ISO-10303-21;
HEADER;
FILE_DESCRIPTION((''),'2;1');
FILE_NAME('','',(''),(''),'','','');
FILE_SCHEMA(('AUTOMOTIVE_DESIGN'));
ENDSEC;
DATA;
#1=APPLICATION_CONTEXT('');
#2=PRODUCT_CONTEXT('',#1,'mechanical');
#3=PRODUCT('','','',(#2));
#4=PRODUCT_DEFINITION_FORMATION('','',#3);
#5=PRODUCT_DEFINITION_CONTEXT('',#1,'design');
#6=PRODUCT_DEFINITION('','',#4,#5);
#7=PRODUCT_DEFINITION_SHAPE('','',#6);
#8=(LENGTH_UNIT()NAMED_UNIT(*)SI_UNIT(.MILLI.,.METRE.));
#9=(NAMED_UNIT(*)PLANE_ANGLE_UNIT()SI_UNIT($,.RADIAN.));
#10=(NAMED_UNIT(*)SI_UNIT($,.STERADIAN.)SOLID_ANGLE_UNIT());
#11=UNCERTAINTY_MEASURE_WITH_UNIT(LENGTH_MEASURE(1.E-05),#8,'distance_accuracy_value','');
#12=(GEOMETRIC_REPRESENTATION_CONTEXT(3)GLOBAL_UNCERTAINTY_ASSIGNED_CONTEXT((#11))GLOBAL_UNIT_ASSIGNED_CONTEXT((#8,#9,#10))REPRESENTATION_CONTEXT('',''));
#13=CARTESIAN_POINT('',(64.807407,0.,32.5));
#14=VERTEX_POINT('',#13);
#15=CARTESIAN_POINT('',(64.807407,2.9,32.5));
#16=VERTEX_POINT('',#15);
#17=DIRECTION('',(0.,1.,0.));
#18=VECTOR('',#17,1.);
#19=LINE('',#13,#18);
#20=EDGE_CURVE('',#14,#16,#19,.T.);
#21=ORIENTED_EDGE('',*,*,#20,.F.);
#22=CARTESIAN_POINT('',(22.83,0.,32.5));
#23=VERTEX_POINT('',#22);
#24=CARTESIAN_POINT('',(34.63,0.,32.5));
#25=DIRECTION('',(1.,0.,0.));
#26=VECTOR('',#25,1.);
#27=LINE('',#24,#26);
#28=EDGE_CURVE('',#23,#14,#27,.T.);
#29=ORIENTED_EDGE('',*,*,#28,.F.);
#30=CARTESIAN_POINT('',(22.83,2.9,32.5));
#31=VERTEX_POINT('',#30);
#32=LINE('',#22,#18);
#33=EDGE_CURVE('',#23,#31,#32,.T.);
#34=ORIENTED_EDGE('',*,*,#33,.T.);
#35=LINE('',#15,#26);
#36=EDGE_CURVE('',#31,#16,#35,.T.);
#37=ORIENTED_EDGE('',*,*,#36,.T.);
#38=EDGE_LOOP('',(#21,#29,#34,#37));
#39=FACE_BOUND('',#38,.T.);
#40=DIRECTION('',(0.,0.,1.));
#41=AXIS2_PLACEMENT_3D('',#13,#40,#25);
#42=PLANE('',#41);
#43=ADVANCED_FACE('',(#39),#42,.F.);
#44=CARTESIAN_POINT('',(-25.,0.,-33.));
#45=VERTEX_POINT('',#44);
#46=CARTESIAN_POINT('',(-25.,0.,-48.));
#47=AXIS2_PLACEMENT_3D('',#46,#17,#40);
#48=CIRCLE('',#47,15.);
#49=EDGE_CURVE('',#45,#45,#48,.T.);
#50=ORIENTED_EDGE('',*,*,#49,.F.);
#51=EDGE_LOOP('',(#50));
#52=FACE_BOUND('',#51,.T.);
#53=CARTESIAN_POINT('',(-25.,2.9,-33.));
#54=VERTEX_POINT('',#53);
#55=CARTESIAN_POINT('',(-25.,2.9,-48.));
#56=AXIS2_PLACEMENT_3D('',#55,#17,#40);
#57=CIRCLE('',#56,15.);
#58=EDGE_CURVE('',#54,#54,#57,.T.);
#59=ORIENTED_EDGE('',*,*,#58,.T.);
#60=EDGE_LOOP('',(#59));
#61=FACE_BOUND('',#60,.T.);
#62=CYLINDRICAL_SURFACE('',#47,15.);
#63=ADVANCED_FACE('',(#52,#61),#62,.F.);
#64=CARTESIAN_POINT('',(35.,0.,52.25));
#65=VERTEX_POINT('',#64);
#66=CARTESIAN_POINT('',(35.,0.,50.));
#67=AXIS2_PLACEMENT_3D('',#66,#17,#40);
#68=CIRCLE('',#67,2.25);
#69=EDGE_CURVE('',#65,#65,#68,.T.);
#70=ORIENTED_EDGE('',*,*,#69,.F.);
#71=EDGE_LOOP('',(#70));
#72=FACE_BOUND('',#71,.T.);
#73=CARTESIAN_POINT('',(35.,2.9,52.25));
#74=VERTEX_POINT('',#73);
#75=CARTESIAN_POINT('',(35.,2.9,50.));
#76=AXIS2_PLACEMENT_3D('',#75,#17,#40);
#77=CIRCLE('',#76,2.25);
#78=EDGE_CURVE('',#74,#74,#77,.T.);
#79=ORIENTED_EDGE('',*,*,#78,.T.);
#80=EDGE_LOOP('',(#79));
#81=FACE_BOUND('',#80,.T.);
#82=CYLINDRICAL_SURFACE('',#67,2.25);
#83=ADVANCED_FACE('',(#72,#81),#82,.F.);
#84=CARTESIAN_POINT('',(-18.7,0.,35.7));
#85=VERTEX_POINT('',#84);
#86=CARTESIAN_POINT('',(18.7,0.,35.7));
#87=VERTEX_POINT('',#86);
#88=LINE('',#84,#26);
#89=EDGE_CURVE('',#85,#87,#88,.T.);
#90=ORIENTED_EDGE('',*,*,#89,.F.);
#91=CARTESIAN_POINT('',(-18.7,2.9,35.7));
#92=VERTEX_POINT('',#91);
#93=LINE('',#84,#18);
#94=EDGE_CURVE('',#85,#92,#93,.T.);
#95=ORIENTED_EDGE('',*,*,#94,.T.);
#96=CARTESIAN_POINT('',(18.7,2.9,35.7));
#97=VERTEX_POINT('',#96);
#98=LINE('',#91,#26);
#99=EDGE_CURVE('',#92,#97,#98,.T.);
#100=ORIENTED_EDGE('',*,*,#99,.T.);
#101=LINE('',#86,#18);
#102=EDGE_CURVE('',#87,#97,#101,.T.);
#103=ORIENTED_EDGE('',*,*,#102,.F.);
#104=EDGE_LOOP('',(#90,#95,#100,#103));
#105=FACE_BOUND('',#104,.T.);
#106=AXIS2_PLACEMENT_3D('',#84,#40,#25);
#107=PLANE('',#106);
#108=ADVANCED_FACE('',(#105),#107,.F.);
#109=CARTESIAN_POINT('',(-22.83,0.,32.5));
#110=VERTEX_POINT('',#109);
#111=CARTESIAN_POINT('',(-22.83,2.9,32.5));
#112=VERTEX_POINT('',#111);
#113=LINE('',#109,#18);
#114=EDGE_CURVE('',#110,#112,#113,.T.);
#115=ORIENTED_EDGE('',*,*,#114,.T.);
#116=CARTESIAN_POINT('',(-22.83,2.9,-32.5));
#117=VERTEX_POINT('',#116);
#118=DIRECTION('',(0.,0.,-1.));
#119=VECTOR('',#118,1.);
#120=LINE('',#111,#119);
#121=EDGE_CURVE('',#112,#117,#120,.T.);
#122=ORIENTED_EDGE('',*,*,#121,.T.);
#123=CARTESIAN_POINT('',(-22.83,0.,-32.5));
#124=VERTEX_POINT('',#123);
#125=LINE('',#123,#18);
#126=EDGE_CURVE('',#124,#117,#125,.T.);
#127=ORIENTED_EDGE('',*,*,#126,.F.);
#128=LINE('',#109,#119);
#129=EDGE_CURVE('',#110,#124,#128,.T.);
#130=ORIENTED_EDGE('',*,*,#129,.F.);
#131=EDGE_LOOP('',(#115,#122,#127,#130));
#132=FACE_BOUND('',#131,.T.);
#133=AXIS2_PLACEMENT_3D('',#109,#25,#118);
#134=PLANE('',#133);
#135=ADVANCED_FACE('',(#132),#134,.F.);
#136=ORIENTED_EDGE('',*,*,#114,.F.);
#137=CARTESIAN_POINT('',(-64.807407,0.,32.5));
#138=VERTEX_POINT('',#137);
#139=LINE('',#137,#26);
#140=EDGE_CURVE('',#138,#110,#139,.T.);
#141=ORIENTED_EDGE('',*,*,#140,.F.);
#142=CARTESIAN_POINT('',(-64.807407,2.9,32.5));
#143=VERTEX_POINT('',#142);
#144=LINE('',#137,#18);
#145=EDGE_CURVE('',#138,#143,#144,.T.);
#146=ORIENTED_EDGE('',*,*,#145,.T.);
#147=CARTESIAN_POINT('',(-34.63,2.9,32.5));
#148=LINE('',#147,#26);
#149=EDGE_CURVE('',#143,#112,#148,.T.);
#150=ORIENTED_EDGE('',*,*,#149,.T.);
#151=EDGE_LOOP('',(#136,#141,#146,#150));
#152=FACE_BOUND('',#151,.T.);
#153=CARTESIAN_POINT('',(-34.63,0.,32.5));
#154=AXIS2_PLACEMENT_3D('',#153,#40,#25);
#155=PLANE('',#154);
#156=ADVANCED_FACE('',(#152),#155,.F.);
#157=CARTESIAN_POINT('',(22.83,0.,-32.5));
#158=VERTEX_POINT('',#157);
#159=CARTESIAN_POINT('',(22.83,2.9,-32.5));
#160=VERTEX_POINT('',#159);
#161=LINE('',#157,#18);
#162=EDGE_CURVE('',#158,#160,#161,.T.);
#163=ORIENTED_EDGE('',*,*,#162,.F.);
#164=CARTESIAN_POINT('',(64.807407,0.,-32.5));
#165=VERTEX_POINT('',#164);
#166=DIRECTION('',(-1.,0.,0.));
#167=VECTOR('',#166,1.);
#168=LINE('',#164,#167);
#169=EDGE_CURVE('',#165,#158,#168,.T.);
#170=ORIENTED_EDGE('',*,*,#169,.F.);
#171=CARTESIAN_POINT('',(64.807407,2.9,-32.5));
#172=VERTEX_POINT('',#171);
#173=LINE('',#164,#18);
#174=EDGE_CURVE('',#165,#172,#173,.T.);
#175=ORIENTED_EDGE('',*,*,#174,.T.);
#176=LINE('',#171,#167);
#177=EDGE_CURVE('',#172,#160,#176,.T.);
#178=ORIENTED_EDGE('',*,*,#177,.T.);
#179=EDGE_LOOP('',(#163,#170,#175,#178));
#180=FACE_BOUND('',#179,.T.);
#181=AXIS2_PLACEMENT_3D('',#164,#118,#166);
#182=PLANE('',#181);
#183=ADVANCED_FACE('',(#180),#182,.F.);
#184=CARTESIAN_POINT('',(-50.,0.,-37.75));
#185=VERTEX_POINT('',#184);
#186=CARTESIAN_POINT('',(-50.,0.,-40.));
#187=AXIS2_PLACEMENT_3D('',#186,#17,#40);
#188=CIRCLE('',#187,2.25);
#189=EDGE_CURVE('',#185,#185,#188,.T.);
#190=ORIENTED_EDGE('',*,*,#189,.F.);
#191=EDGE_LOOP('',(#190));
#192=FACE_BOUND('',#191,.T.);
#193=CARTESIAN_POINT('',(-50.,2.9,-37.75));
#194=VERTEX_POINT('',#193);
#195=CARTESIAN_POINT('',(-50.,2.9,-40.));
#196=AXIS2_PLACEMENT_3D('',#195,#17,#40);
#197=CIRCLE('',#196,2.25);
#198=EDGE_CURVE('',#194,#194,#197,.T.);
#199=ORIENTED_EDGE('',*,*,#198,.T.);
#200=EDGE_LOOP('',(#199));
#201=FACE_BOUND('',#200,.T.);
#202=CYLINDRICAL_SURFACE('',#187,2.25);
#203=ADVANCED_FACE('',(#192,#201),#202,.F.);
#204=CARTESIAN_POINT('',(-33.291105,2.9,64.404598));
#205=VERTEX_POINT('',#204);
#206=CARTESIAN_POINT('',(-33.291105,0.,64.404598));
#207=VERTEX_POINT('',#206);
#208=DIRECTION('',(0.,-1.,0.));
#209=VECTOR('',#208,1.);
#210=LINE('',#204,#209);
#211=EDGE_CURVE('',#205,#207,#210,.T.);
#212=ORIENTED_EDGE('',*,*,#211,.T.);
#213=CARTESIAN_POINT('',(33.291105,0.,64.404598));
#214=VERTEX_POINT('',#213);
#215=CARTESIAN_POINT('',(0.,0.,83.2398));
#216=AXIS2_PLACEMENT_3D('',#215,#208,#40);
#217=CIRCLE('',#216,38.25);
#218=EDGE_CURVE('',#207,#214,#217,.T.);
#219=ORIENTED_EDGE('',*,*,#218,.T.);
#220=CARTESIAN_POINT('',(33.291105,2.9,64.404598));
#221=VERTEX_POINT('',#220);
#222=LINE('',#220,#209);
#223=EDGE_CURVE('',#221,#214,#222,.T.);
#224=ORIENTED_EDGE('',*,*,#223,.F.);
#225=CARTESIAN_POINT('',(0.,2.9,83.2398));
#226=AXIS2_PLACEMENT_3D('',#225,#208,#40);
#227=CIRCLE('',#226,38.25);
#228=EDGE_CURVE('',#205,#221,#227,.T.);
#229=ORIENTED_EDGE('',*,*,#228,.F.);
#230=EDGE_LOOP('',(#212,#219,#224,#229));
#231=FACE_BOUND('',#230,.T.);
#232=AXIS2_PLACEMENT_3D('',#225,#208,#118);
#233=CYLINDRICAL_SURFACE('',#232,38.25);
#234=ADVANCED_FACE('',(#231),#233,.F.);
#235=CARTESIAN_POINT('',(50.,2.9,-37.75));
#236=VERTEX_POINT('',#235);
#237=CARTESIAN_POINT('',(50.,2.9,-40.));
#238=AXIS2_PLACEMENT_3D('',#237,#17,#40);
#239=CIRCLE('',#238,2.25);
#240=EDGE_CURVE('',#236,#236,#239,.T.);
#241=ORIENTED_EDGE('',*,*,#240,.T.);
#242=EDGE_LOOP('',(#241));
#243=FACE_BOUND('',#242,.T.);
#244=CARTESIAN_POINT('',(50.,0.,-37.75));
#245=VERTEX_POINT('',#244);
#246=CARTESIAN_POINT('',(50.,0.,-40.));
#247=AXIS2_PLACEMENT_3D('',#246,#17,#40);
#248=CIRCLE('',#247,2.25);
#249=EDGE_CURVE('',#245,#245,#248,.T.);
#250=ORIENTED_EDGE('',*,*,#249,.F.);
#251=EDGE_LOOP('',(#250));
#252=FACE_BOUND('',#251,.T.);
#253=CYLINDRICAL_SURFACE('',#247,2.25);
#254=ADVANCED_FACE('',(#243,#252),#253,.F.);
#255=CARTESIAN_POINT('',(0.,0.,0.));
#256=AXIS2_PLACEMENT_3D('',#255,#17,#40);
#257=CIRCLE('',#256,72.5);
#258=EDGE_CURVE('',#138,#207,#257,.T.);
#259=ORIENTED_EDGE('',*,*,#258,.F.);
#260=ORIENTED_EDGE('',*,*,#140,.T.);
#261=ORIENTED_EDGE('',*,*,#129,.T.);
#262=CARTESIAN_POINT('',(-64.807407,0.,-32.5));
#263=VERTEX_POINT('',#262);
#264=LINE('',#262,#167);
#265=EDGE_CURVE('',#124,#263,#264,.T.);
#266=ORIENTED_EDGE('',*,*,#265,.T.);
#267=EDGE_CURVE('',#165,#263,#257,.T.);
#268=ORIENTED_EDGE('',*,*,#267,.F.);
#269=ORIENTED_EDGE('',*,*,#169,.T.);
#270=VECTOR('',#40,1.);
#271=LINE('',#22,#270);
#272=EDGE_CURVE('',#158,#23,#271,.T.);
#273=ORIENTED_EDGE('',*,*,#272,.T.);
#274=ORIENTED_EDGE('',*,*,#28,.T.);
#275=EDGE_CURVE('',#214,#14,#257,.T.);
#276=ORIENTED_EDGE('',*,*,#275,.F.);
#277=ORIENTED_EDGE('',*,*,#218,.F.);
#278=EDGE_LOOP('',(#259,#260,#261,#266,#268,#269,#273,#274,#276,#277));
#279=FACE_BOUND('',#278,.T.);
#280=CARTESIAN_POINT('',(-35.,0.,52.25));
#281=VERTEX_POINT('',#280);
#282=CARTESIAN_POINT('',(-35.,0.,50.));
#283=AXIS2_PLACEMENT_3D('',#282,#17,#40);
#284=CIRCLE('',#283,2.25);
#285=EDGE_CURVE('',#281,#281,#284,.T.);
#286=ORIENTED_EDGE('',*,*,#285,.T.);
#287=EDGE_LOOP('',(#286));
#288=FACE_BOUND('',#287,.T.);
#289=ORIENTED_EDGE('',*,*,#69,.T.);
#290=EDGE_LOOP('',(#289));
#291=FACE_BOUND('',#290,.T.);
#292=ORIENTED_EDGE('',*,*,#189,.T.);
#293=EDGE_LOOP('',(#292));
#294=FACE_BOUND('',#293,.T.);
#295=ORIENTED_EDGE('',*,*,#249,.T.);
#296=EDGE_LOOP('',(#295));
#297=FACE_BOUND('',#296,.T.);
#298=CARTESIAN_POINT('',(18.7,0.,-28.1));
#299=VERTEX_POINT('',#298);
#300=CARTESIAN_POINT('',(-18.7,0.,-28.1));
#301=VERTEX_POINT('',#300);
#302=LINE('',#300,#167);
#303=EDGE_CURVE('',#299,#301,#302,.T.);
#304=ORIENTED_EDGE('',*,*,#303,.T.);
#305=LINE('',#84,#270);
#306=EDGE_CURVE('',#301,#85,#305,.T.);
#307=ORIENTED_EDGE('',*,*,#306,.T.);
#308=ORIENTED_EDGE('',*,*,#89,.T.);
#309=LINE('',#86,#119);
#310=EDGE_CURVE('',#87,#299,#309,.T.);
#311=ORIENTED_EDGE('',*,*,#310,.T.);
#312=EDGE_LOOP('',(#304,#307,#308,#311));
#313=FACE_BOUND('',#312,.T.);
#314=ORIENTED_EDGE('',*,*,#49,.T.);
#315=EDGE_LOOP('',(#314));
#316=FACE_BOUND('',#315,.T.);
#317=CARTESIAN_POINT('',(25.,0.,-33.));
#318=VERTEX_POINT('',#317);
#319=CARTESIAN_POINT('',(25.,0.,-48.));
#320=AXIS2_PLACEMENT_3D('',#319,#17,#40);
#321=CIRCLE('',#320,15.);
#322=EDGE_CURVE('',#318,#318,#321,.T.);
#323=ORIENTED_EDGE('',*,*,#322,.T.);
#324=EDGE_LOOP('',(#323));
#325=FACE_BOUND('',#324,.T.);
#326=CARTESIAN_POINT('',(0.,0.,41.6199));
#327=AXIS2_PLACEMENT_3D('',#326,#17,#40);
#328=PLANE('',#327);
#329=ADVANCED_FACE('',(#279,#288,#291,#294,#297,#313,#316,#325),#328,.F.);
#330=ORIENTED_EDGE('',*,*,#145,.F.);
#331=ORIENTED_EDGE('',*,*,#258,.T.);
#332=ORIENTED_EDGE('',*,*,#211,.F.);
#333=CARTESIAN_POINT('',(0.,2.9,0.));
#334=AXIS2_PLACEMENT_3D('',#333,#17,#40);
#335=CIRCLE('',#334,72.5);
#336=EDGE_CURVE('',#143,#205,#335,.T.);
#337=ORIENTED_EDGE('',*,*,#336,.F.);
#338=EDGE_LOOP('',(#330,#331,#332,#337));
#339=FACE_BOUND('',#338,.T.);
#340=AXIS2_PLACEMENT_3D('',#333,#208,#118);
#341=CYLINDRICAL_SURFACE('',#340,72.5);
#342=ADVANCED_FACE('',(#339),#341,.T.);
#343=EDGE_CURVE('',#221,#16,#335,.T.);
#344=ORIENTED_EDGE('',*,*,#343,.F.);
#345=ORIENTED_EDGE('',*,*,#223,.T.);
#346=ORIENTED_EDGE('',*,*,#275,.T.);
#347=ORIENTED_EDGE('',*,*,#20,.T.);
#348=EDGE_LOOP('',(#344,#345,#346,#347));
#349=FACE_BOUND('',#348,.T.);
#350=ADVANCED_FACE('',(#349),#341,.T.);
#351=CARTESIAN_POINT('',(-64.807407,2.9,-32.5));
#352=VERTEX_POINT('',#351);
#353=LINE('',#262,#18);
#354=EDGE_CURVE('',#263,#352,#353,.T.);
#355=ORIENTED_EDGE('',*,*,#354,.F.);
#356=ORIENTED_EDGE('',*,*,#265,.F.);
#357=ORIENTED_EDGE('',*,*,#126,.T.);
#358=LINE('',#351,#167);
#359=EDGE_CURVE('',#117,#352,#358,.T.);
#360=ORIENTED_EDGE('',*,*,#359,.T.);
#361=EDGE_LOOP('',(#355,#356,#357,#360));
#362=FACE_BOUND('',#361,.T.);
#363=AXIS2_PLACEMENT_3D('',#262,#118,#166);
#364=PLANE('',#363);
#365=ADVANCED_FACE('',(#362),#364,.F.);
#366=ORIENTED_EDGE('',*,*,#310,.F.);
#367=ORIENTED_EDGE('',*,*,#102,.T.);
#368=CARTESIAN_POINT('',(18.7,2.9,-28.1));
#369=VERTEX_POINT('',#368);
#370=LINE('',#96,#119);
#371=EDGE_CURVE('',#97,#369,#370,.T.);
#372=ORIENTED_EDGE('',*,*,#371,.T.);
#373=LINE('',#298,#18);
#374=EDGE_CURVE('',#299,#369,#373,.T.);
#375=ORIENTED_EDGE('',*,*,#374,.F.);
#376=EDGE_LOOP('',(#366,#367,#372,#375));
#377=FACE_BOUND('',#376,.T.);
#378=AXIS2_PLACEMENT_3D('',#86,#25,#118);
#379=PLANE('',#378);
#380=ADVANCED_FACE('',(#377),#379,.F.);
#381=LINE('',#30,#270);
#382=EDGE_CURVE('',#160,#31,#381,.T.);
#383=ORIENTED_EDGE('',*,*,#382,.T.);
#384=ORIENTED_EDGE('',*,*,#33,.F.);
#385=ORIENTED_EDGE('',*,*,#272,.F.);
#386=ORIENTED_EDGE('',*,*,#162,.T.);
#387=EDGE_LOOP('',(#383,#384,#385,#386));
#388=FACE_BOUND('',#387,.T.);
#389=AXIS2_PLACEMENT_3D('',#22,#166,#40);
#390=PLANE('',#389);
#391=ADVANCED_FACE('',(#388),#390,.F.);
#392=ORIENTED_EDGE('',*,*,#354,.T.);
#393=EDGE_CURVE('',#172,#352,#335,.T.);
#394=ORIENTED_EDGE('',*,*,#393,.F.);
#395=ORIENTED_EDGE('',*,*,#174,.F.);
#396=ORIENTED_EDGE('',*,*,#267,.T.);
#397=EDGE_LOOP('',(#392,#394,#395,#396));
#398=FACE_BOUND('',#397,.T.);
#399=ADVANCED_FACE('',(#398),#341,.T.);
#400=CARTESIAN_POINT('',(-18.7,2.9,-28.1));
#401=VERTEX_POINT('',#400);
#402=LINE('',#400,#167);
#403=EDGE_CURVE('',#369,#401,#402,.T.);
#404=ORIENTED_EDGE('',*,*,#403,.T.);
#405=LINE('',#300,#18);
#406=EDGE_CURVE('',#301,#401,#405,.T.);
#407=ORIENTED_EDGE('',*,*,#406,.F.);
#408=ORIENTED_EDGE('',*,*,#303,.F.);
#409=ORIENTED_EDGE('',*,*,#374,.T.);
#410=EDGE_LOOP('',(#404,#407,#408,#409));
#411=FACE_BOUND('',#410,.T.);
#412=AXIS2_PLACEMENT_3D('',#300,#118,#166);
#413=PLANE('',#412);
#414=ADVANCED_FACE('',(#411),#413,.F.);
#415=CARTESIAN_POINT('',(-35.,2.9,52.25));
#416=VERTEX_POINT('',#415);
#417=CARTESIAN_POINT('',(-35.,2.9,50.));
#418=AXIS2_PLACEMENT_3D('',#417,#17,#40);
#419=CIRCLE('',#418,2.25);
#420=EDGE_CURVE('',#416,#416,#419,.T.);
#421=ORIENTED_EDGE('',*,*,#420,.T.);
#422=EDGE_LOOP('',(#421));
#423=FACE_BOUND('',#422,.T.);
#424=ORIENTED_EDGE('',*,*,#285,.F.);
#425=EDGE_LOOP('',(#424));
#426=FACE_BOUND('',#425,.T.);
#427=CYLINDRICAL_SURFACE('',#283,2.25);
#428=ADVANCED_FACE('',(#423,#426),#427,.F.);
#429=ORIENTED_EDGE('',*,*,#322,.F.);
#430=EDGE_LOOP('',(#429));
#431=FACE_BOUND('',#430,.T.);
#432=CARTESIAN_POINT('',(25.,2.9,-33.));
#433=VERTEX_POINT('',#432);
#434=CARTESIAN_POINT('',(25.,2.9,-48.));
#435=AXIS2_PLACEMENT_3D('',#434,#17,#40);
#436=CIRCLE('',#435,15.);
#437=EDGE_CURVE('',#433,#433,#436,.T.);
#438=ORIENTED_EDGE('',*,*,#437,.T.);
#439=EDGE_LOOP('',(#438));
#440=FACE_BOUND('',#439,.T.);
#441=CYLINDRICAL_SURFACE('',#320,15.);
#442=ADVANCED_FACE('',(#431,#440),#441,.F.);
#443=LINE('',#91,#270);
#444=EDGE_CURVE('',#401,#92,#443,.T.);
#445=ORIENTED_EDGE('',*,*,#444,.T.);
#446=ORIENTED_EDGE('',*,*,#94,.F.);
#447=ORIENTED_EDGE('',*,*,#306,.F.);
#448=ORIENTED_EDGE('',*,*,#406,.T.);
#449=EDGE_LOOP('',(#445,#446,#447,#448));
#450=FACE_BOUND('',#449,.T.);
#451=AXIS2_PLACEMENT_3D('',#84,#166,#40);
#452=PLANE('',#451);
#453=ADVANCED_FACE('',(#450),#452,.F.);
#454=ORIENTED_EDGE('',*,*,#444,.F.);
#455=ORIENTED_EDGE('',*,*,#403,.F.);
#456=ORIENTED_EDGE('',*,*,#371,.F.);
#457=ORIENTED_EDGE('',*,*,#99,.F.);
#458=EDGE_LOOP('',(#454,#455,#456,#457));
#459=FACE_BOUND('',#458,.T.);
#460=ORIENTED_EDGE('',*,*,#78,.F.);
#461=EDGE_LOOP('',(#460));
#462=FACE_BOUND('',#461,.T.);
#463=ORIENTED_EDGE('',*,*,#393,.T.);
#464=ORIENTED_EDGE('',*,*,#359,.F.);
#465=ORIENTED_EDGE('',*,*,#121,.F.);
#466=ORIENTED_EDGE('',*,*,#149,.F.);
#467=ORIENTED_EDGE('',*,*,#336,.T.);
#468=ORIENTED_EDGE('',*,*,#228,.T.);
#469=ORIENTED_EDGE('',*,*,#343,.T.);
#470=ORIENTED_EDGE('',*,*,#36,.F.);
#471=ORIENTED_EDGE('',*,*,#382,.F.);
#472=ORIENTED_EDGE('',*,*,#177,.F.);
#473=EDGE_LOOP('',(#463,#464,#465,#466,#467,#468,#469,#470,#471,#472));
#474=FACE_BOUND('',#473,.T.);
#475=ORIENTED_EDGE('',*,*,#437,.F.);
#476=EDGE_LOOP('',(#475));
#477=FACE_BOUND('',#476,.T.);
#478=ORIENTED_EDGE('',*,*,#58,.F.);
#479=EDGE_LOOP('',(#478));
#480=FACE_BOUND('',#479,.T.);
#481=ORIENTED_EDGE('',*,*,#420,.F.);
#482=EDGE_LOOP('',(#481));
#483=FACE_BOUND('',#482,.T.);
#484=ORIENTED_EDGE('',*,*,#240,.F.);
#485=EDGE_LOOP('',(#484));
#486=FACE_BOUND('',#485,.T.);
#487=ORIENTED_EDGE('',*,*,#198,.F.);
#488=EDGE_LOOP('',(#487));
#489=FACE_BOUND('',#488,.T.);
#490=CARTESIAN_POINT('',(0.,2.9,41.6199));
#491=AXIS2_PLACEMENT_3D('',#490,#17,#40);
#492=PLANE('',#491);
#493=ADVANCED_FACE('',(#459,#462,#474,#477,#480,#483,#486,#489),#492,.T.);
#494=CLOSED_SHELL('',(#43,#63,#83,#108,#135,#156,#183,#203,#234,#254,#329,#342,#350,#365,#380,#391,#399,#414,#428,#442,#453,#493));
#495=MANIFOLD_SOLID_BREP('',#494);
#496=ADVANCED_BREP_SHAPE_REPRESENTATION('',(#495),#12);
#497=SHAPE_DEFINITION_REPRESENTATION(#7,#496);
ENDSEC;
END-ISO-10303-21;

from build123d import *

# Parameters (mm, degrees)
BOSS_EXTRUDE1_DEPTH  = 2.9
SOLENOID_PLACEMENT_W = 37.4
SOLENOID_PLACEMENT_H = 63.8
CUT_EXTRUDE1_DEPTH   = 103.571487266
CUT_EXTRUDE3_DEPTH   = 103.571487266
SKETCH7_R            = 15
CUT_EXTRUDE6_DEPTH   = 98.286484159
SKETCH8_R            = 2.25
CUT_EXTRUDE7_DEPTH   = 98.286484159


with BuildPart() as part:
    # Sketch1 → Boss-Extrude1 (new body)
    with BuildSketch(Plane(origin=(0, 0, 0), x_dir=(1, 0, 0), z_dir=(0, 1, 0))):
        with BuildLine():
            ThreePointArc((33.29110537, -64.404598464), (0, 72.5), (-33.29110537, -64.404598464))
            ThreePointArc((-33.29110537, -64.404598464), (0, -44.989799638), (33.29110537, -64.404598464))
        make_face()
    extrude(amount=BOSS_EXTRUDE1_DEPTH)

    # solenoid placement → Cut-Extrude1 (cut, through all)
    with BuildSketch(Plane(origin=(0, 2.9, 0), x_dir=(1, 0, 0), z_dir=(0, 1, 0))):
        with Locations((0, -3.8)):
            Rectangle(SOLENOID_PLACEMENT_W, SOLENOID_PLACEMENT_H)
    extrude(amount=-CUT_EXTRUDE1_DEPTH, mode=Mode.SUBTRACT)

    # Sketch3 → Cut-Extrude3 (cut, through all)
    with BuildSketch(Plane(origin=(0, 2.9, 0), x_dir=(1, 0, 0), z_dir=(0, 1, 0))):
        with BuildLine():
            Line((-34.63, -32.5), (-22.83, -32.5))
            Line((-22.83, -32.5), (-22.83, 32.5))
            Line((-22.83, 32.5), (-64.807406984, 32.5))
            ThreePointArc((-64.807406984, 32.5), (-72.5, 0), (-64.807406984, -32.5))
            Line((-64.807406984, -32.5), (-34.63, -32.5))
        make_face()
        with BuildLine():
            Line((22.83, -32.5), (22.83, 32.5))
            Line((22.83, 32.5), (64.807406984, 32.5))
            ThreePointArc((64.807406984, 32.5), (72.5, 0), (64.807406984, -32.5))
            Line((64.807406984, -32.5), (34.63, -32.5))
            Line((34.63, -32.5), (22.83, -32.5))
        make_face()
    extrude(amount=-CUT_EXTRUDE3_DEPTH, mode=Mode.SUBTRACT)

    # Sketch7 → Cut-Extrude6 (cut, through all)
    with BuildSketch(Plane(origin=(0, 2.9, 0), x_dir=(1, 0, 0), z_dir=(0, 1, 0))):
        with Locations(Location((25, 48, 0), (0, 0, 270))):
            Circle(SKETCH7_R)
        with Locations(Location((-25, 48, 0), (0, 0, 270))):
            Circle(SKETCH7_R)
    extrude(amount=-CUT_EXTRUDE6_DEPTH, mode=Mode.SUBTRACT)

    # Sketch8 → Cut-Extrude7 (cut, through all)
    with BuildSketch(Plane(origin=(0, 2.9, 0), x_dir=(1, 0, 0), z_dir=(0, 1, 0))):
        with Locations(Location((35, -50, 0), (0, 0, 270))):
            Circle(SKETCH8_R)
        with Locations(Location((-35, -50, 0), (0, 0, 270))):
            Circle(SKETCH8_R)
        with Locations(Location((-50, 40, 0), (0, 0, 270))):
            Circle(SKETCH8_R)
        with Locations(Location((50, 40, 0), (0, 0, 270))):
            Circle(SKETCH8_R)
    extrude(amount=-CUT_EXTRUDE7_DEPTH, mode=Mode.SUBTRACT)


solid = part.part
